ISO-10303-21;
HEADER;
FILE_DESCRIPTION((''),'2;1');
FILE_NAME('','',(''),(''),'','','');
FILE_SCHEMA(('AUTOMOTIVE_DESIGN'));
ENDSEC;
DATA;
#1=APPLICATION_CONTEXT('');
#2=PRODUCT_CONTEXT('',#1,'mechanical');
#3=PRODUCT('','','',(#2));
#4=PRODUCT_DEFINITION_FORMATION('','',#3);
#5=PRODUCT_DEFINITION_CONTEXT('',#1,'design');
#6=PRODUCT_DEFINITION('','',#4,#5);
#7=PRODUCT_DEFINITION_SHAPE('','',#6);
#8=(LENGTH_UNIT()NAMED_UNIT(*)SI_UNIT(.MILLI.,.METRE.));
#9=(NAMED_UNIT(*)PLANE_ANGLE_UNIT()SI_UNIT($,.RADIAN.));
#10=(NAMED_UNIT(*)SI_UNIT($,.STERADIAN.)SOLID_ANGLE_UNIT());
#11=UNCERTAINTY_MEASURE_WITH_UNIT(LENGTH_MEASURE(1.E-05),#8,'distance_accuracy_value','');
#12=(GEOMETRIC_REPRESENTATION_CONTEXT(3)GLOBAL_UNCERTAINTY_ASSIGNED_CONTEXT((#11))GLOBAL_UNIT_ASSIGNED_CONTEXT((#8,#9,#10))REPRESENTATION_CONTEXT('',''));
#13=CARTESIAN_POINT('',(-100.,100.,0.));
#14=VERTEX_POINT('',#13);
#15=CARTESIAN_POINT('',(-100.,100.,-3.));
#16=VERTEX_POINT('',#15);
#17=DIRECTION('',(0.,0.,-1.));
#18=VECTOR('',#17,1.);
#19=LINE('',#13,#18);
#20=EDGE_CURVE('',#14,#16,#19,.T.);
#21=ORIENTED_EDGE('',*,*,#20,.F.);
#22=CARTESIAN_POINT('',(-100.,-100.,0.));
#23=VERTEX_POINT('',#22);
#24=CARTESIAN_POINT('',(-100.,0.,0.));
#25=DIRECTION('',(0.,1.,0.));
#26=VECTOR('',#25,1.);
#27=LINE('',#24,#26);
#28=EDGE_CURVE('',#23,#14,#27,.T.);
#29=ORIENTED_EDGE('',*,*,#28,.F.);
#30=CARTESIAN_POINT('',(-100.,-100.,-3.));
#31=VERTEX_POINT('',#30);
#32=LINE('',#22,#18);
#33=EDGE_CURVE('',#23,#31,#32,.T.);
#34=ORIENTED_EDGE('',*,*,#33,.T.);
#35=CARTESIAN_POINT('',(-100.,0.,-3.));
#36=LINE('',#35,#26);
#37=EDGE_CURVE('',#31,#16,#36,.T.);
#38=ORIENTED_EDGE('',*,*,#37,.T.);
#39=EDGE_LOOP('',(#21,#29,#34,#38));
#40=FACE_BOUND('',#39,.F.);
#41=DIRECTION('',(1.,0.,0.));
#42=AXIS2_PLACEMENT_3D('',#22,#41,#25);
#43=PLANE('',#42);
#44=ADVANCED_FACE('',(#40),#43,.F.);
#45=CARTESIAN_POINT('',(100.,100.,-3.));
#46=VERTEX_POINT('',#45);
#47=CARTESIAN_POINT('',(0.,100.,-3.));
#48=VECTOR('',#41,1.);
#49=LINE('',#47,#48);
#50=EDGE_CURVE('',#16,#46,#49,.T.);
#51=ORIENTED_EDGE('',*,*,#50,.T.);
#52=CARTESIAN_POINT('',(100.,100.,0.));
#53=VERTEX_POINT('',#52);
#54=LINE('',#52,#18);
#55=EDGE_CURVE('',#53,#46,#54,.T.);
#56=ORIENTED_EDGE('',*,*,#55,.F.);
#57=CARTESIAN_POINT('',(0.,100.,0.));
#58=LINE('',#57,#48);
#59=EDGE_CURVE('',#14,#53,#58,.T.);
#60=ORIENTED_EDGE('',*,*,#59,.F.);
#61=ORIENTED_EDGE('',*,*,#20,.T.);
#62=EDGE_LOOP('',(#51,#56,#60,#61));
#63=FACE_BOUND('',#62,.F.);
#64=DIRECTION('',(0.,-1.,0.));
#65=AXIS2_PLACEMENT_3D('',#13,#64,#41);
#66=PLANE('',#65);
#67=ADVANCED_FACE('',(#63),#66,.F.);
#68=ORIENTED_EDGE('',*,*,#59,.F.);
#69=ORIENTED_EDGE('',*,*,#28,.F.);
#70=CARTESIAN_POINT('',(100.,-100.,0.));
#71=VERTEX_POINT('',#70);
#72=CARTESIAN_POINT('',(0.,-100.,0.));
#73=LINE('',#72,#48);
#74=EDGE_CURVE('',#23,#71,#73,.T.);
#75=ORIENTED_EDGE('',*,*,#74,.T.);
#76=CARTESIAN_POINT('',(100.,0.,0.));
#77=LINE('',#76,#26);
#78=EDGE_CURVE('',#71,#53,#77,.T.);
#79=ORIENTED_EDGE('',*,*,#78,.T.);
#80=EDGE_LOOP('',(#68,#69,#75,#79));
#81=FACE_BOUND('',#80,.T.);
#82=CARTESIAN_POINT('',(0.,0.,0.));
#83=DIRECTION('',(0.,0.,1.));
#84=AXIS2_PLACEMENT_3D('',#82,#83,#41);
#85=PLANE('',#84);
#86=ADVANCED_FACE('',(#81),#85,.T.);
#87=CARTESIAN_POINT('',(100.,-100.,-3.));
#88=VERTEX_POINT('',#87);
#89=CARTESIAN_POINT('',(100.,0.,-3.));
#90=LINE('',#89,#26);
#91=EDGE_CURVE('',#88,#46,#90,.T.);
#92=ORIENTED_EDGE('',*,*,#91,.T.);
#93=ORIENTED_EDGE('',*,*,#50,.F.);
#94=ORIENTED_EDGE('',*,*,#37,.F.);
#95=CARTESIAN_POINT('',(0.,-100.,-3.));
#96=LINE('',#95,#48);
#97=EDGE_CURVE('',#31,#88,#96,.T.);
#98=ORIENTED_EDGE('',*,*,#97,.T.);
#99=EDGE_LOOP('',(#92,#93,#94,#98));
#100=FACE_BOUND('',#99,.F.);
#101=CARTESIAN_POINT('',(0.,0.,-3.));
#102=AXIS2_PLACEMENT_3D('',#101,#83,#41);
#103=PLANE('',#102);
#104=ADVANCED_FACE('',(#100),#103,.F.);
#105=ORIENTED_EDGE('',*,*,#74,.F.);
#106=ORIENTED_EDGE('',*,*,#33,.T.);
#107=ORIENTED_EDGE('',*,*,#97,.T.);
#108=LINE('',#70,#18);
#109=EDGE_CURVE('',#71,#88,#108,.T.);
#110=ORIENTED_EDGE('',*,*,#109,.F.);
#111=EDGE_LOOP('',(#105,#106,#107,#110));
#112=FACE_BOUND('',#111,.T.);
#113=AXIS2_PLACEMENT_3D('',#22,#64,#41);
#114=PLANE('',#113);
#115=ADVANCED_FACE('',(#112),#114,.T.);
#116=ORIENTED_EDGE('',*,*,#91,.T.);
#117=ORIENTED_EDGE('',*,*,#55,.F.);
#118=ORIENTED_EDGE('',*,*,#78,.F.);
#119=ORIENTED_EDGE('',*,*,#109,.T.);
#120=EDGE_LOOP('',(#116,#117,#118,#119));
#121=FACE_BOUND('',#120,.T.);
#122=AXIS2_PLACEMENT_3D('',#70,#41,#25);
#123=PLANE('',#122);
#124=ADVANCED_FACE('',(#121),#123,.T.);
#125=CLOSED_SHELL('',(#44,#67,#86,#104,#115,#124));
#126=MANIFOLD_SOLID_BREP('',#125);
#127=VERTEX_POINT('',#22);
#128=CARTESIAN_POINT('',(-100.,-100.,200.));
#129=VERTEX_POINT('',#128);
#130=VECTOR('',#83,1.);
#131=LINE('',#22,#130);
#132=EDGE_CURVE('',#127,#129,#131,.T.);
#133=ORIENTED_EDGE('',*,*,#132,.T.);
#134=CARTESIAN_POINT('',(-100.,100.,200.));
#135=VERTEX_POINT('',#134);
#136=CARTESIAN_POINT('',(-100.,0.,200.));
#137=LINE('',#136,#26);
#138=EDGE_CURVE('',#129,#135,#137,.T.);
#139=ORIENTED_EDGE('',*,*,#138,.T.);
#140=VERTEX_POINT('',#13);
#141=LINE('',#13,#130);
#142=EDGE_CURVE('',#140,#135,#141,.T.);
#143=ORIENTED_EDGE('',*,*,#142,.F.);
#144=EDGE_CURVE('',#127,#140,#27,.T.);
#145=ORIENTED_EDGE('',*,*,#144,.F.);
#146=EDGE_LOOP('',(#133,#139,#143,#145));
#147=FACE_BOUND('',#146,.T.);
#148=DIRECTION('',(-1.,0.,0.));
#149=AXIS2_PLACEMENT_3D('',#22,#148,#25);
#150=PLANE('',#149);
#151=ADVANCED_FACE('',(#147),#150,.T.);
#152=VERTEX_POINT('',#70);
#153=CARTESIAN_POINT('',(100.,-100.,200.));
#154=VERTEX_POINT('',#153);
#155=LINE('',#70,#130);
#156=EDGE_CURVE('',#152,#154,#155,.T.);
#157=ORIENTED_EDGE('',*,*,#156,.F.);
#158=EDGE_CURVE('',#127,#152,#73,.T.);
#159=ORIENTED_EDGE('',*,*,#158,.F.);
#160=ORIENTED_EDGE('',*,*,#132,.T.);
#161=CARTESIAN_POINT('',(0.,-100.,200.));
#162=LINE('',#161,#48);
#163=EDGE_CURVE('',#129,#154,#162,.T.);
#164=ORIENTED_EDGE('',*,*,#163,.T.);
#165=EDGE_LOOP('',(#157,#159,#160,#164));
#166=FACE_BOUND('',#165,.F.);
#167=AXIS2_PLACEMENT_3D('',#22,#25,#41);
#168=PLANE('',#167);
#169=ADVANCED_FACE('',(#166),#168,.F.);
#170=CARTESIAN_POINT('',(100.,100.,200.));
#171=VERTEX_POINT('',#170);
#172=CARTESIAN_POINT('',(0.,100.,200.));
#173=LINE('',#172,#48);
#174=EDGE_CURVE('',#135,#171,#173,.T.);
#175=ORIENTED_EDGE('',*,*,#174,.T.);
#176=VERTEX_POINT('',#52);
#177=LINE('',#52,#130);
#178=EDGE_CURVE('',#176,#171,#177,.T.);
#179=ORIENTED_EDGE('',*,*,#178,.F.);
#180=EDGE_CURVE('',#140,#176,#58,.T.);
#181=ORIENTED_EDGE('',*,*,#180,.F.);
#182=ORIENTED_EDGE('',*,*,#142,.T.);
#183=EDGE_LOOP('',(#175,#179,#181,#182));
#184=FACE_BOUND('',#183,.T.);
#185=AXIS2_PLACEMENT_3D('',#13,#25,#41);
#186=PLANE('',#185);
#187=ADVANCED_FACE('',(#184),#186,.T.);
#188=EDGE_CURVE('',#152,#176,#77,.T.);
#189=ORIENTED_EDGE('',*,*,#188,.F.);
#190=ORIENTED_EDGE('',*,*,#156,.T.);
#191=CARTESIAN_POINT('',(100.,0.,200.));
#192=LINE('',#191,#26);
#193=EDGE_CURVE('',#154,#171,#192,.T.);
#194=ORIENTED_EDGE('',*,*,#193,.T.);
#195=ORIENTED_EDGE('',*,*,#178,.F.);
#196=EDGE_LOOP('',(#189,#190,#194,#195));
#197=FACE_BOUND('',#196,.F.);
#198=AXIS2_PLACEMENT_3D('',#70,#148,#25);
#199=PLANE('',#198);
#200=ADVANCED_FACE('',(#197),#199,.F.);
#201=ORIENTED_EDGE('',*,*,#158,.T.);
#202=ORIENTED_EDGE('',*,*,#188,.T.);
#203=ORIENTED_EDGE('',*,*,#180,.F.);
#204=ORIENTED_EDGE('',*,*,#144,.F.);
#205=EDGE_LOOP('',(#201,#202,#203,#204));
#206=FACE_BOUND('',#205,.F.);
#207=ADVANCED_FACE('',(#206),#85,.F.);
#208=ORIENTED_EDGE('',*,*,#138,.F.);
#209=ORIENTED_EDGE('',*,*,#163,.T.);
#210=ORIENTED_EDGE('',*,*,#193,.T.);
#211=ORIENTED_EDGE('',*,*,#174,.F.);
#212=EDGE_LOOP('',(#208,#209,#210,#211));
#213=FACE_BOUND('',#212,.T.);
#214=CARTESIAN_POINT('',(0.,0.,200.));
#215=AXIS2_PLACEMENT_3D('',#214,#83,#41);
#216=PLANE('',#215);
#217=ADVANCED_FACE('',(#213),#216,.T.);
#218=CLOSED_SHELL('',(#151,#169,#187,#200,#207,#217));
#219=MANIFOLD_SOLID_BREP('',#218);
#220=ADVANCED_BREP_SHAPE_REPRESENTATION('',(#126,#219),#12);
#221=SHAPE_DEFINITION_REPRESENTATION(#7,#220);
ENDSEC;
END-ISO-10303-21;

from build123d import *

# Parameters (mm, degrees)
F0_W      = 200
F0_H      = 200
F1_DEPTH  = 3
F1_FACE_W = 200
F1_FACE_H = 200
F2_DEPTH  = 200


with BuildPart() as f1:
    # F0 (on Top) → F1 (new body)
    with BuildSketch(Plane.XY):
        Rectangle(F0_W, F0_H)
    extrude(amount=-F1_DEPTH)


with BuildPart() as f2:
    # F1_face (on face) → F2 (new body)
    with BuildSketch(Plane.XY):
        Rectangle(F1_FACE_W, F1_FACE_H)
    extrude(amount=F2_DEPTH)


solid = Compound([f1.part, f2.part])
